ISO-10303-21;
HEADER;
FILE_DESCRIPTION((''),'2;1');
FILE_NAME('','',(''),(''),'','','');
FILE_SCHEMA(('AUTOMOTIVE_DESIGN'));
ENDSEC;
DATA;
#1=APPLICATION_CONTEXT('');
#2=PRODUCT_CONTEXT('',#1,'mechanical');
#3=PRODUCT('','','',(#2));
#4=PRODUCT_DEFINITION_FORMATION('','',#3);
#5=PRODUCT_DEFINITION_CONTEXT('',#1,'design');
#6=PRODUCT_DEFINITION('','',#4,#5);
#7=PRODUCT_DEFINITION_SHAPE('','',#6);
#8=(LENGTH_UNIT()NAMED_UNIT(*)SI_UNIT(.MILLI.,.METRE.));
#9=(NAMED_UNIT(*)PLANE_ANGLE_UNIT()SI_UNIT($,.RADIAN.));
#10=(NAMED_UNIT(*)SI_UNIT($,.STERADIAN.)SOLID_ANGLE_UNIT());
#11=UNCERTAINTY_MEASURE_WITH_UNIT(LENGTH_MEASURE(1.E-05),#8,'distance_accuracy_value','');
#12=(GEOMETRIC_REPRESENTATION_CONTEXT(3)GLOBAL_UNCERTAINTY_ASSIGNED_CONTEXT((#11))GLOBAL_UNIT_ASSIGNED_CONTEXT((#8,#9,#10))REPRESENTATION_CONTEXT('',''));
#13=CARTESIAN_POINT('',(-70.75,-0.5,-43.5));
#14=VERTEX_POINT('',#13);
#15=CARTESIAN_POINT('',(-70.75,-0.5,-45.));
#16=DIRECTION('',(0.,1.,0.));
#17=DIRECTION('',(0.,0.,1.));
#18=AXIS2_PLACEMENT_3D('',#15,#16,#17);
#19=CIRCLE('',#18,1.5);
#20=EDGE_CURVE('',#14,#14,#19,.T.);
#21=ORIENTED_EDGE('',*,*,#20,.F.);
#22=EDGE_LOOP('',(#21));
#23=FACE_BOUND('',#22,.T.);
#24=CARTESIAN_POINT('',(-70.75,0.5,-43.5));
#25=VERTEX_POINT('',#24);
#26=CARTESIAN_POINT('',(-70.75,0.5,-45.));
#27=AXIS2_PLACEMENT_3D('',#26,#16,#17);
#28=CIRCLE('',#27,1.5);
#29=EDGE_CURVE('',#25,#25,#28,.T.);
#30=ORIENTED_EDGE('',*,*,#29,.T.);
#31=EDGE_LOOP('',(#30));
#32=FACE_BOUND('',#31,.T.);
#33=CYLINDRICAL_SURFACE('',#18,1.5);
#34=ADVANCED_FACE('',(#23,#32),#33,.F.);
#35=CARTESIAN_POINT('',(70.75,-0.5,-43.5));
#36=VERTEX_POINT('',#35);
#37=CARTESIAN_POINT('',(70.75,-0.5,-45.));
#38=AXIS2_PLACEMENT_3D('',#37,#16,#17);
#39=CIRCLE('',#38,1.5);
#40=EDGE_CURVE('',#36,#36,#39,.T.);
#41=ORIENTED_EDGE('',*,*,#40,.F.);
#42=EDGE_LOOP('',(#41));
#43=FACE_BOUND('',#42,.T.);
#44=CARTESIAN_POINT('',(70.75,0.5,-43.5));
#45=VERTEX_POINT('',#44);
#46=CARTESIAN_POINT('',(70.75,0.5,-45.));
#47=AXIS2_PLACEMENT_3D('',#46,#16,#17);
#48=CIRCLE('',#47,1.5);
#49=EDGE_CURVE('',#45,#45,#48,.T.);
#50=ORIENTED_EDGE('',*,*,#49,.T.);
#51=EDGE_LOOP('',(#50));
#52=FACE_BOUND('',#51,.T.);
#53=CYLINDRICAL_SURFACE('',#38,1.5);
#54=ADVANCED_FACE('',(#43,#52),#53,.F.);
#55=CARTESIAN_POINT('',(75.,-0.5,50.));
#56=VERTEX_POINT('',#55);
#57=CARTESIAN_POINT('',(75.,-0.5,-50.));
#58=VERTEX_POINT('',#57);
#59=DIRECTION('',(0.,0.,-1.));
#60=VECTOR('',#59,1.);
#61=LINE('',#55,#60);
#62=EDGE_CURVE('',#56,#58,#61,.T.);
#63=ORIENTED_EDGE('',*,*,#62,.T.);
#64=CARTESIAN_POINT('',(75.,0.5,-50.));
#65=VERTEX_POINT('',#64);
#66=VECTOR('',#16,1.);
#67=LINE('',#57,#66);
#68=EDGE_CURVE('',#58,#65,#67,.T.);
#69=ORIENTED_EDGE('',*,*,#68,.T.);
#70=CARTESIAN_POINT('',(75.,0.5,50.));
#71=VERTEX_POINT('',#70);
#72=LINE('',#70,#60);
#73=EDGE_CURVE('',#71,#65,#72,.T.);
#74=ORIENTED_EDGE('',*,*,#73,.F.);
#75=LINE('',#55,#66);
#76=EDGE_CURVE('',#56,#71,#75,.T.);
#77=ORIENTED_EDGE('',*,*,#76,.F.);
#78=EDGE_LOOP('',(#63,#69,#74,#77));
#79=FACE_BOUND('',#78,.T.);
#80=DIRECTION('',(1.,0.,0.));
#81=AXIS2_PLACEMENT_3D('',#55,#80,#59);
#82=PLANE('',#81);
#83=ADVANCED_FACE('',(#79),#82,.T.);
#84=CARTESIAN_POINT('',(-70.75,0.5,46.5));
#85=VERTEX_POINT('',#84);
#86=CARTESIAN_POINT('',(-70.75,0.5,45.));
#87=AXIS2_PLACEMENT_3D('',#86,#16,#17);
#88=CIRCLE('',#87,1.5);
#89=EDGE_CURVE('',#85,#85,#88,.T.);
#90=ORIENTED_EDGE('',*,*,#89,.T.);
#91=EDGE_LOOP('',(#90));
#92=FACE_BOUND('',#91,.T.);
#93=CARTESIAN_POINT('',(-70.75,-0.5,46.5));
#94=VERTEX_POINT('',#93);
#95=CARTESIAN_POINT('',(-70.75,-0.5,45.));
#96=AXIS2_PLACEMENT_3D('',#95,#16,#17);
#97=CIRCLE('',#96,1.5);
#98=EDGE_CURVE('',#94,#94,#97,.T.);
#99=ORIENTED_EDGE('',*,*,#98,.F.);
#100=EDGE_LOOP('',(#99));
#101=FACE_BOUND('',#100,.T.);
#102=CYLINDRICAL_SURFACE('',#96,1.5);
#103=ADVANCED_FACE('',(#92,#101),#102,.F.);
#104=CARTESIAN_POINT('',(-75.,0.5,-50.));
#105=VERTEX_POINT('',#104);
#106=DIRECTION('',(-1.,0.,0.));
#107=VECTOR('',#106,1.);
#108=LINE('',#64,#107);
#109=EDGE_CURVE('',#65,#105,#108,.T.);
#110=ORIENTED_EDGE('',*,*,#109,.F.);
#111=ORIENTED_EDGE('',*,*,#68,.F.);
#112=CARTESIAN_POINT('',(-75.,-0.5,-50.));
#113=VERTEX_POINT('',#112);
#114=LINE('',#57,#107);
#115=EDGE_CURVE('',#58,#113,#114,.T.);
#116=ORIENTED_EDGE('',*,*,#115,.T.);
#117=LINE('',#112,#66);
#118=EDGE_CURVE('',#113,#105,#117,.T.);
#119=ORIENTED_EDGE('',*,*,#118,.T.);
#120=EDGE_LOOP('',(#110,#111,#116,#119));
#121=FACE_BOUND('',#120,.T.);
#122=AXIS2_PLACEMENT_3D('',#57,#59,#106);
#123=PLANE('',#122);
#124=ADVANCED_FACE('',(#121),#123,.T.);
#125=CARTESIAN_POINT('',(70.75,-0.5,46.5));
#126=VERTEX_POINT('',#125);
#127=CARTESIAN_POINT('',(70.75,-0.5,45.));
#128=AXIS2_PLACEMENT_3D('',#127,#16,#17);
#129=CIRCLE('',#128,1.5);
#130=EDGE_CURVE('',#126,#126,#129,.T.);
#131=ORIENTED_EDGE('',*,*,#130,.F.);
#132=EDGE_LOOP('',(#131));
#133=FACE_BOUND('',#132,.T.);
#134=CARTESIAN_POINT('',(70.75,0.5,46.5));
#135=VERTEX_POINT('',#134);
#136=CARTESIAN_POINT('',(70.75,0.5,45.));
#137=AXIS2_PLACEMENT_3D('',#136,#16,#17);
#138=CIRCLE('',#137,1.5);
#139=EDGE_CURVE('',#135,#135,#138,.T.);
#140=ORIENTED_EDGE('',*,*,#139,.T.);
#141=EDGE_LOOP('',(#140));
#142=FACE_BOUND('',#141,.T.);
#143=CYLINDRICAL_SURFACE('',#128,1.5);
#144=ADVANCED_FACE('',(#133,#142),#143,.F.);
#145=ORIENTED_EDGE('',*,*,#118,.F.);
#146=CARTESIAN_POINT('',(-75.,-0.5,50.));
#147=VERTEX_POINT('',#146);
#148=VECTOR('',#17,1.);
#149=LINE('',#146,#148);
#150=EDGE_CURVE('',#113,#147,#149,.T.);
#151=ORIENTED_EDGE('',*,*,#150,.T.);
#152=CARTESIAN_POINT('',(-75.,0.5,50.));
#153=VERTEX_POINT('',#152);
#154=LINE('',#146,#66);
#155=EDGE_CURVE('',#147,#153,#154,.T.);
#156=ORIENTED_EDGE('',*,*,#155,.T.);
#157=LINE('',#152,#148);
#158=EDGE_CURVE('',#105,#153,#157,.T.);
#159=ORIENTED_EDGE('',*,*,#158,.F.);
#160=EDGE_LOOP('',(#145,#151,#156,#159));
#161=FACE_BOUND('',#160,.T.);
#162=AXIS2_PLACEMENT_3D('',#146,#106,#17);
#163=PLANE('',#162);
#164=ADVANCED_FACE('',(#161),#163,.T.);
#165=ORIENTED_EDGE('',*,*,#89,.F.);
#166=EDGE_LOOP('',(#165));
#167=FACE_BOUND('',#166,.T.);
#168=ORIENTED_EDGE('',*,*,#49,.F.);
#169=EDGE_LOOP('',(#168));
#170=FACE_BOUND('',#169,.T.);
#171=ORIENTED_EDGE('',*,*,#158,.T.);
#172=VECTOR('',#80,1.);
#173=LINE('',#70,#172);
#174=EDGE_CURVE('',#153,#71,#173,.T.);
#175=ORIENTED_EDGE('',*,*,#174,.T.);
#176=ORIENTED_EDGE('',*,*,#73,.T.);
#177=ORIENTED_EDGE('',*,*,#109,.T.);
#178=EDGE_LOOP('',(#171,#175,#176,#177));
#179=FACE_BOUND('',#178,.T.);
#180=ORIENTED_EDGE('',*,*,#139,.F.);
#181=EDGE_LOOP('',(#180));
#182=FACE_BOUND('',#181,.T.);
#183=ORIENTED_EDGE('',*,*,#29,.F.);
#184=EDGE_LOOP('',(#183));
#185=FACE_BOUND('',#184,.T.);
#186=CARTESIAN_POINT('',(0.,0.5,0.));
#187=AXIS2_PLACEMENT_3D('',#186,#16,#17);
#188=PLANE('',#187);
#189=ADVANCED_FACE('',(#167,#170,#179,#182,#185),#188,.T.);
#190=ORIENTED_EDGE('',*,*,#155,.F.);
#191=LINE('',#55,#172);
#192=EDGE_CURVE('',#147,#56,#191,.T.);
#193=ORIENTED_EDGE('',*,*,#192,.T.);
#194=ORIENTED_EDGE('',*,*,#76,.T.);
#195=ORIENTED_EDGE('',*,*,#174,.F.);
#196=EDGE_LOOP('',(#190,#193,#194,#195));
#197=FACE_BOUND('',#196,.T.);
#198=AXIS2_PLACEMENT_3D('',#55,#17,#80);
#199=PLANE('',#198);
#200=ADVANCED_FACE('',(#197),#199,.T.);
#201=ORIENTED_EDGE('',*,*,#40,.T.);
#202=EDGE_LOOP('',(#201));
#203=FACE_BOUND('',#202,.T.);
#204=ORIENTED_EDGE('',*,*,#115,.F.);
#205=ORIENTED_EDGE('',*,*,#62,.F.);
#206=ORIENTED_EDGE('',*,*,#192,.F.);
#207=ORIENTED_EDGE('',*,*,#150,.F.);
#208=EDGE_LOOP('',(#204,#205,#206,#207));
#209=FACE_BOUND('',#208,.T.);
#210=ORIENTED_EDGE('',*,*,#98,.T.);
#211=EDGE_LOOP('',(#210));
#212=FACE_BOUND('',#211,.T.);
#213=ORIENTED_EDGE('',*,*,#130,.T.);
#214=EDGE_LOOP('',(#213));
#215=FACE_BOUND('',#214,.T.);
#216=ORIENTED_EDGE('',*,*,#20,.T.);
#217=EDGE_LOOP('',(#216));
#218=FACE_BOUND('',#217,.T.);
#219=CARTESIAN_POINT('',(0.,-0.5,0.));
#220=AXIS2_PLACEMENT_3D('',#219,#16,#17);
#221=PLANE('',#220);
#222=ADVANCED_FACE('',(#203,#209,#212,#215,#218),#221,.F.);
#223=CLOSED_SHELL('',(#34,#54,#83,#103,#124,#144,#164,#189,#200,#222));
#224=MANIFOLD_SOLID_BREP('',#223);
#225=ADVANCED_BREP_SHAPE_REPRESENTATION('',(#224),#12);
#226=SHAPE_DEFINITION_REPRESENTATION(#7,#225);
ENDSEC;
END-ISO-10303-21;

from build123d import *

# Parameters (mm, degrees)
SKETCH_1_W               = 150
SKETCH_1_H               = 100
EXTRUDE_1_DEPTH          = 0.5
CUT_EXTRUDE_1_DEPTH      = 91.140168626
CUT_EXTRUDE_1_DEPTH_BACK = 91.140168626
SKETCH_2_R               = 1.5


with BuildPart() as part:
    # 草图1 → 凸台-拉伸1 (new, symmetric)
    with BuildSketch(Plane(origin=(0, 0, 0), x_dir=(1, 0, 0), z_dir=(0, 1, 0))):
        Rectangle(SKETCH_1_W, SKETCH_1_H)
    extrude(amount=EXTRUDE_1_DEPTH, both=True)

    # 草图2 → 切除-拉伸1 (cut, two sides: drawn at the far end of the back side and taken through both)
    with BuildSketch(Plane(origin=(0, 0, 0), x_dir=(1, 0, 0), z_dir=(0, 1, 0)).offset(-CUT_EXTRUDE_1_DEPTH_BACK)):
        with Locations(Location((-70.75, 45, 0), (0, 0, 270))):
            Circle(SKETCH_2_R)
        with Locations(Location((70.75, 45, 0), (0, 0, 270))):
            Circle(SKETCH_2_R)
        with Locations(Location((-70.75, -45, 0), (0, 0, 270))):
            Circle(SKETCH_2_R)
        with Locations(Location((70.75, -45, 0), (0, 0, 270))):
            Circle(SKETCH_2_R)
    extrude(amount=CUT_EXTRUDE_1_DEPTH + CUT_EXTRUDE_1_DEPTH_BACK, mode=Mode.SUBTRACT)


solid = part.part
